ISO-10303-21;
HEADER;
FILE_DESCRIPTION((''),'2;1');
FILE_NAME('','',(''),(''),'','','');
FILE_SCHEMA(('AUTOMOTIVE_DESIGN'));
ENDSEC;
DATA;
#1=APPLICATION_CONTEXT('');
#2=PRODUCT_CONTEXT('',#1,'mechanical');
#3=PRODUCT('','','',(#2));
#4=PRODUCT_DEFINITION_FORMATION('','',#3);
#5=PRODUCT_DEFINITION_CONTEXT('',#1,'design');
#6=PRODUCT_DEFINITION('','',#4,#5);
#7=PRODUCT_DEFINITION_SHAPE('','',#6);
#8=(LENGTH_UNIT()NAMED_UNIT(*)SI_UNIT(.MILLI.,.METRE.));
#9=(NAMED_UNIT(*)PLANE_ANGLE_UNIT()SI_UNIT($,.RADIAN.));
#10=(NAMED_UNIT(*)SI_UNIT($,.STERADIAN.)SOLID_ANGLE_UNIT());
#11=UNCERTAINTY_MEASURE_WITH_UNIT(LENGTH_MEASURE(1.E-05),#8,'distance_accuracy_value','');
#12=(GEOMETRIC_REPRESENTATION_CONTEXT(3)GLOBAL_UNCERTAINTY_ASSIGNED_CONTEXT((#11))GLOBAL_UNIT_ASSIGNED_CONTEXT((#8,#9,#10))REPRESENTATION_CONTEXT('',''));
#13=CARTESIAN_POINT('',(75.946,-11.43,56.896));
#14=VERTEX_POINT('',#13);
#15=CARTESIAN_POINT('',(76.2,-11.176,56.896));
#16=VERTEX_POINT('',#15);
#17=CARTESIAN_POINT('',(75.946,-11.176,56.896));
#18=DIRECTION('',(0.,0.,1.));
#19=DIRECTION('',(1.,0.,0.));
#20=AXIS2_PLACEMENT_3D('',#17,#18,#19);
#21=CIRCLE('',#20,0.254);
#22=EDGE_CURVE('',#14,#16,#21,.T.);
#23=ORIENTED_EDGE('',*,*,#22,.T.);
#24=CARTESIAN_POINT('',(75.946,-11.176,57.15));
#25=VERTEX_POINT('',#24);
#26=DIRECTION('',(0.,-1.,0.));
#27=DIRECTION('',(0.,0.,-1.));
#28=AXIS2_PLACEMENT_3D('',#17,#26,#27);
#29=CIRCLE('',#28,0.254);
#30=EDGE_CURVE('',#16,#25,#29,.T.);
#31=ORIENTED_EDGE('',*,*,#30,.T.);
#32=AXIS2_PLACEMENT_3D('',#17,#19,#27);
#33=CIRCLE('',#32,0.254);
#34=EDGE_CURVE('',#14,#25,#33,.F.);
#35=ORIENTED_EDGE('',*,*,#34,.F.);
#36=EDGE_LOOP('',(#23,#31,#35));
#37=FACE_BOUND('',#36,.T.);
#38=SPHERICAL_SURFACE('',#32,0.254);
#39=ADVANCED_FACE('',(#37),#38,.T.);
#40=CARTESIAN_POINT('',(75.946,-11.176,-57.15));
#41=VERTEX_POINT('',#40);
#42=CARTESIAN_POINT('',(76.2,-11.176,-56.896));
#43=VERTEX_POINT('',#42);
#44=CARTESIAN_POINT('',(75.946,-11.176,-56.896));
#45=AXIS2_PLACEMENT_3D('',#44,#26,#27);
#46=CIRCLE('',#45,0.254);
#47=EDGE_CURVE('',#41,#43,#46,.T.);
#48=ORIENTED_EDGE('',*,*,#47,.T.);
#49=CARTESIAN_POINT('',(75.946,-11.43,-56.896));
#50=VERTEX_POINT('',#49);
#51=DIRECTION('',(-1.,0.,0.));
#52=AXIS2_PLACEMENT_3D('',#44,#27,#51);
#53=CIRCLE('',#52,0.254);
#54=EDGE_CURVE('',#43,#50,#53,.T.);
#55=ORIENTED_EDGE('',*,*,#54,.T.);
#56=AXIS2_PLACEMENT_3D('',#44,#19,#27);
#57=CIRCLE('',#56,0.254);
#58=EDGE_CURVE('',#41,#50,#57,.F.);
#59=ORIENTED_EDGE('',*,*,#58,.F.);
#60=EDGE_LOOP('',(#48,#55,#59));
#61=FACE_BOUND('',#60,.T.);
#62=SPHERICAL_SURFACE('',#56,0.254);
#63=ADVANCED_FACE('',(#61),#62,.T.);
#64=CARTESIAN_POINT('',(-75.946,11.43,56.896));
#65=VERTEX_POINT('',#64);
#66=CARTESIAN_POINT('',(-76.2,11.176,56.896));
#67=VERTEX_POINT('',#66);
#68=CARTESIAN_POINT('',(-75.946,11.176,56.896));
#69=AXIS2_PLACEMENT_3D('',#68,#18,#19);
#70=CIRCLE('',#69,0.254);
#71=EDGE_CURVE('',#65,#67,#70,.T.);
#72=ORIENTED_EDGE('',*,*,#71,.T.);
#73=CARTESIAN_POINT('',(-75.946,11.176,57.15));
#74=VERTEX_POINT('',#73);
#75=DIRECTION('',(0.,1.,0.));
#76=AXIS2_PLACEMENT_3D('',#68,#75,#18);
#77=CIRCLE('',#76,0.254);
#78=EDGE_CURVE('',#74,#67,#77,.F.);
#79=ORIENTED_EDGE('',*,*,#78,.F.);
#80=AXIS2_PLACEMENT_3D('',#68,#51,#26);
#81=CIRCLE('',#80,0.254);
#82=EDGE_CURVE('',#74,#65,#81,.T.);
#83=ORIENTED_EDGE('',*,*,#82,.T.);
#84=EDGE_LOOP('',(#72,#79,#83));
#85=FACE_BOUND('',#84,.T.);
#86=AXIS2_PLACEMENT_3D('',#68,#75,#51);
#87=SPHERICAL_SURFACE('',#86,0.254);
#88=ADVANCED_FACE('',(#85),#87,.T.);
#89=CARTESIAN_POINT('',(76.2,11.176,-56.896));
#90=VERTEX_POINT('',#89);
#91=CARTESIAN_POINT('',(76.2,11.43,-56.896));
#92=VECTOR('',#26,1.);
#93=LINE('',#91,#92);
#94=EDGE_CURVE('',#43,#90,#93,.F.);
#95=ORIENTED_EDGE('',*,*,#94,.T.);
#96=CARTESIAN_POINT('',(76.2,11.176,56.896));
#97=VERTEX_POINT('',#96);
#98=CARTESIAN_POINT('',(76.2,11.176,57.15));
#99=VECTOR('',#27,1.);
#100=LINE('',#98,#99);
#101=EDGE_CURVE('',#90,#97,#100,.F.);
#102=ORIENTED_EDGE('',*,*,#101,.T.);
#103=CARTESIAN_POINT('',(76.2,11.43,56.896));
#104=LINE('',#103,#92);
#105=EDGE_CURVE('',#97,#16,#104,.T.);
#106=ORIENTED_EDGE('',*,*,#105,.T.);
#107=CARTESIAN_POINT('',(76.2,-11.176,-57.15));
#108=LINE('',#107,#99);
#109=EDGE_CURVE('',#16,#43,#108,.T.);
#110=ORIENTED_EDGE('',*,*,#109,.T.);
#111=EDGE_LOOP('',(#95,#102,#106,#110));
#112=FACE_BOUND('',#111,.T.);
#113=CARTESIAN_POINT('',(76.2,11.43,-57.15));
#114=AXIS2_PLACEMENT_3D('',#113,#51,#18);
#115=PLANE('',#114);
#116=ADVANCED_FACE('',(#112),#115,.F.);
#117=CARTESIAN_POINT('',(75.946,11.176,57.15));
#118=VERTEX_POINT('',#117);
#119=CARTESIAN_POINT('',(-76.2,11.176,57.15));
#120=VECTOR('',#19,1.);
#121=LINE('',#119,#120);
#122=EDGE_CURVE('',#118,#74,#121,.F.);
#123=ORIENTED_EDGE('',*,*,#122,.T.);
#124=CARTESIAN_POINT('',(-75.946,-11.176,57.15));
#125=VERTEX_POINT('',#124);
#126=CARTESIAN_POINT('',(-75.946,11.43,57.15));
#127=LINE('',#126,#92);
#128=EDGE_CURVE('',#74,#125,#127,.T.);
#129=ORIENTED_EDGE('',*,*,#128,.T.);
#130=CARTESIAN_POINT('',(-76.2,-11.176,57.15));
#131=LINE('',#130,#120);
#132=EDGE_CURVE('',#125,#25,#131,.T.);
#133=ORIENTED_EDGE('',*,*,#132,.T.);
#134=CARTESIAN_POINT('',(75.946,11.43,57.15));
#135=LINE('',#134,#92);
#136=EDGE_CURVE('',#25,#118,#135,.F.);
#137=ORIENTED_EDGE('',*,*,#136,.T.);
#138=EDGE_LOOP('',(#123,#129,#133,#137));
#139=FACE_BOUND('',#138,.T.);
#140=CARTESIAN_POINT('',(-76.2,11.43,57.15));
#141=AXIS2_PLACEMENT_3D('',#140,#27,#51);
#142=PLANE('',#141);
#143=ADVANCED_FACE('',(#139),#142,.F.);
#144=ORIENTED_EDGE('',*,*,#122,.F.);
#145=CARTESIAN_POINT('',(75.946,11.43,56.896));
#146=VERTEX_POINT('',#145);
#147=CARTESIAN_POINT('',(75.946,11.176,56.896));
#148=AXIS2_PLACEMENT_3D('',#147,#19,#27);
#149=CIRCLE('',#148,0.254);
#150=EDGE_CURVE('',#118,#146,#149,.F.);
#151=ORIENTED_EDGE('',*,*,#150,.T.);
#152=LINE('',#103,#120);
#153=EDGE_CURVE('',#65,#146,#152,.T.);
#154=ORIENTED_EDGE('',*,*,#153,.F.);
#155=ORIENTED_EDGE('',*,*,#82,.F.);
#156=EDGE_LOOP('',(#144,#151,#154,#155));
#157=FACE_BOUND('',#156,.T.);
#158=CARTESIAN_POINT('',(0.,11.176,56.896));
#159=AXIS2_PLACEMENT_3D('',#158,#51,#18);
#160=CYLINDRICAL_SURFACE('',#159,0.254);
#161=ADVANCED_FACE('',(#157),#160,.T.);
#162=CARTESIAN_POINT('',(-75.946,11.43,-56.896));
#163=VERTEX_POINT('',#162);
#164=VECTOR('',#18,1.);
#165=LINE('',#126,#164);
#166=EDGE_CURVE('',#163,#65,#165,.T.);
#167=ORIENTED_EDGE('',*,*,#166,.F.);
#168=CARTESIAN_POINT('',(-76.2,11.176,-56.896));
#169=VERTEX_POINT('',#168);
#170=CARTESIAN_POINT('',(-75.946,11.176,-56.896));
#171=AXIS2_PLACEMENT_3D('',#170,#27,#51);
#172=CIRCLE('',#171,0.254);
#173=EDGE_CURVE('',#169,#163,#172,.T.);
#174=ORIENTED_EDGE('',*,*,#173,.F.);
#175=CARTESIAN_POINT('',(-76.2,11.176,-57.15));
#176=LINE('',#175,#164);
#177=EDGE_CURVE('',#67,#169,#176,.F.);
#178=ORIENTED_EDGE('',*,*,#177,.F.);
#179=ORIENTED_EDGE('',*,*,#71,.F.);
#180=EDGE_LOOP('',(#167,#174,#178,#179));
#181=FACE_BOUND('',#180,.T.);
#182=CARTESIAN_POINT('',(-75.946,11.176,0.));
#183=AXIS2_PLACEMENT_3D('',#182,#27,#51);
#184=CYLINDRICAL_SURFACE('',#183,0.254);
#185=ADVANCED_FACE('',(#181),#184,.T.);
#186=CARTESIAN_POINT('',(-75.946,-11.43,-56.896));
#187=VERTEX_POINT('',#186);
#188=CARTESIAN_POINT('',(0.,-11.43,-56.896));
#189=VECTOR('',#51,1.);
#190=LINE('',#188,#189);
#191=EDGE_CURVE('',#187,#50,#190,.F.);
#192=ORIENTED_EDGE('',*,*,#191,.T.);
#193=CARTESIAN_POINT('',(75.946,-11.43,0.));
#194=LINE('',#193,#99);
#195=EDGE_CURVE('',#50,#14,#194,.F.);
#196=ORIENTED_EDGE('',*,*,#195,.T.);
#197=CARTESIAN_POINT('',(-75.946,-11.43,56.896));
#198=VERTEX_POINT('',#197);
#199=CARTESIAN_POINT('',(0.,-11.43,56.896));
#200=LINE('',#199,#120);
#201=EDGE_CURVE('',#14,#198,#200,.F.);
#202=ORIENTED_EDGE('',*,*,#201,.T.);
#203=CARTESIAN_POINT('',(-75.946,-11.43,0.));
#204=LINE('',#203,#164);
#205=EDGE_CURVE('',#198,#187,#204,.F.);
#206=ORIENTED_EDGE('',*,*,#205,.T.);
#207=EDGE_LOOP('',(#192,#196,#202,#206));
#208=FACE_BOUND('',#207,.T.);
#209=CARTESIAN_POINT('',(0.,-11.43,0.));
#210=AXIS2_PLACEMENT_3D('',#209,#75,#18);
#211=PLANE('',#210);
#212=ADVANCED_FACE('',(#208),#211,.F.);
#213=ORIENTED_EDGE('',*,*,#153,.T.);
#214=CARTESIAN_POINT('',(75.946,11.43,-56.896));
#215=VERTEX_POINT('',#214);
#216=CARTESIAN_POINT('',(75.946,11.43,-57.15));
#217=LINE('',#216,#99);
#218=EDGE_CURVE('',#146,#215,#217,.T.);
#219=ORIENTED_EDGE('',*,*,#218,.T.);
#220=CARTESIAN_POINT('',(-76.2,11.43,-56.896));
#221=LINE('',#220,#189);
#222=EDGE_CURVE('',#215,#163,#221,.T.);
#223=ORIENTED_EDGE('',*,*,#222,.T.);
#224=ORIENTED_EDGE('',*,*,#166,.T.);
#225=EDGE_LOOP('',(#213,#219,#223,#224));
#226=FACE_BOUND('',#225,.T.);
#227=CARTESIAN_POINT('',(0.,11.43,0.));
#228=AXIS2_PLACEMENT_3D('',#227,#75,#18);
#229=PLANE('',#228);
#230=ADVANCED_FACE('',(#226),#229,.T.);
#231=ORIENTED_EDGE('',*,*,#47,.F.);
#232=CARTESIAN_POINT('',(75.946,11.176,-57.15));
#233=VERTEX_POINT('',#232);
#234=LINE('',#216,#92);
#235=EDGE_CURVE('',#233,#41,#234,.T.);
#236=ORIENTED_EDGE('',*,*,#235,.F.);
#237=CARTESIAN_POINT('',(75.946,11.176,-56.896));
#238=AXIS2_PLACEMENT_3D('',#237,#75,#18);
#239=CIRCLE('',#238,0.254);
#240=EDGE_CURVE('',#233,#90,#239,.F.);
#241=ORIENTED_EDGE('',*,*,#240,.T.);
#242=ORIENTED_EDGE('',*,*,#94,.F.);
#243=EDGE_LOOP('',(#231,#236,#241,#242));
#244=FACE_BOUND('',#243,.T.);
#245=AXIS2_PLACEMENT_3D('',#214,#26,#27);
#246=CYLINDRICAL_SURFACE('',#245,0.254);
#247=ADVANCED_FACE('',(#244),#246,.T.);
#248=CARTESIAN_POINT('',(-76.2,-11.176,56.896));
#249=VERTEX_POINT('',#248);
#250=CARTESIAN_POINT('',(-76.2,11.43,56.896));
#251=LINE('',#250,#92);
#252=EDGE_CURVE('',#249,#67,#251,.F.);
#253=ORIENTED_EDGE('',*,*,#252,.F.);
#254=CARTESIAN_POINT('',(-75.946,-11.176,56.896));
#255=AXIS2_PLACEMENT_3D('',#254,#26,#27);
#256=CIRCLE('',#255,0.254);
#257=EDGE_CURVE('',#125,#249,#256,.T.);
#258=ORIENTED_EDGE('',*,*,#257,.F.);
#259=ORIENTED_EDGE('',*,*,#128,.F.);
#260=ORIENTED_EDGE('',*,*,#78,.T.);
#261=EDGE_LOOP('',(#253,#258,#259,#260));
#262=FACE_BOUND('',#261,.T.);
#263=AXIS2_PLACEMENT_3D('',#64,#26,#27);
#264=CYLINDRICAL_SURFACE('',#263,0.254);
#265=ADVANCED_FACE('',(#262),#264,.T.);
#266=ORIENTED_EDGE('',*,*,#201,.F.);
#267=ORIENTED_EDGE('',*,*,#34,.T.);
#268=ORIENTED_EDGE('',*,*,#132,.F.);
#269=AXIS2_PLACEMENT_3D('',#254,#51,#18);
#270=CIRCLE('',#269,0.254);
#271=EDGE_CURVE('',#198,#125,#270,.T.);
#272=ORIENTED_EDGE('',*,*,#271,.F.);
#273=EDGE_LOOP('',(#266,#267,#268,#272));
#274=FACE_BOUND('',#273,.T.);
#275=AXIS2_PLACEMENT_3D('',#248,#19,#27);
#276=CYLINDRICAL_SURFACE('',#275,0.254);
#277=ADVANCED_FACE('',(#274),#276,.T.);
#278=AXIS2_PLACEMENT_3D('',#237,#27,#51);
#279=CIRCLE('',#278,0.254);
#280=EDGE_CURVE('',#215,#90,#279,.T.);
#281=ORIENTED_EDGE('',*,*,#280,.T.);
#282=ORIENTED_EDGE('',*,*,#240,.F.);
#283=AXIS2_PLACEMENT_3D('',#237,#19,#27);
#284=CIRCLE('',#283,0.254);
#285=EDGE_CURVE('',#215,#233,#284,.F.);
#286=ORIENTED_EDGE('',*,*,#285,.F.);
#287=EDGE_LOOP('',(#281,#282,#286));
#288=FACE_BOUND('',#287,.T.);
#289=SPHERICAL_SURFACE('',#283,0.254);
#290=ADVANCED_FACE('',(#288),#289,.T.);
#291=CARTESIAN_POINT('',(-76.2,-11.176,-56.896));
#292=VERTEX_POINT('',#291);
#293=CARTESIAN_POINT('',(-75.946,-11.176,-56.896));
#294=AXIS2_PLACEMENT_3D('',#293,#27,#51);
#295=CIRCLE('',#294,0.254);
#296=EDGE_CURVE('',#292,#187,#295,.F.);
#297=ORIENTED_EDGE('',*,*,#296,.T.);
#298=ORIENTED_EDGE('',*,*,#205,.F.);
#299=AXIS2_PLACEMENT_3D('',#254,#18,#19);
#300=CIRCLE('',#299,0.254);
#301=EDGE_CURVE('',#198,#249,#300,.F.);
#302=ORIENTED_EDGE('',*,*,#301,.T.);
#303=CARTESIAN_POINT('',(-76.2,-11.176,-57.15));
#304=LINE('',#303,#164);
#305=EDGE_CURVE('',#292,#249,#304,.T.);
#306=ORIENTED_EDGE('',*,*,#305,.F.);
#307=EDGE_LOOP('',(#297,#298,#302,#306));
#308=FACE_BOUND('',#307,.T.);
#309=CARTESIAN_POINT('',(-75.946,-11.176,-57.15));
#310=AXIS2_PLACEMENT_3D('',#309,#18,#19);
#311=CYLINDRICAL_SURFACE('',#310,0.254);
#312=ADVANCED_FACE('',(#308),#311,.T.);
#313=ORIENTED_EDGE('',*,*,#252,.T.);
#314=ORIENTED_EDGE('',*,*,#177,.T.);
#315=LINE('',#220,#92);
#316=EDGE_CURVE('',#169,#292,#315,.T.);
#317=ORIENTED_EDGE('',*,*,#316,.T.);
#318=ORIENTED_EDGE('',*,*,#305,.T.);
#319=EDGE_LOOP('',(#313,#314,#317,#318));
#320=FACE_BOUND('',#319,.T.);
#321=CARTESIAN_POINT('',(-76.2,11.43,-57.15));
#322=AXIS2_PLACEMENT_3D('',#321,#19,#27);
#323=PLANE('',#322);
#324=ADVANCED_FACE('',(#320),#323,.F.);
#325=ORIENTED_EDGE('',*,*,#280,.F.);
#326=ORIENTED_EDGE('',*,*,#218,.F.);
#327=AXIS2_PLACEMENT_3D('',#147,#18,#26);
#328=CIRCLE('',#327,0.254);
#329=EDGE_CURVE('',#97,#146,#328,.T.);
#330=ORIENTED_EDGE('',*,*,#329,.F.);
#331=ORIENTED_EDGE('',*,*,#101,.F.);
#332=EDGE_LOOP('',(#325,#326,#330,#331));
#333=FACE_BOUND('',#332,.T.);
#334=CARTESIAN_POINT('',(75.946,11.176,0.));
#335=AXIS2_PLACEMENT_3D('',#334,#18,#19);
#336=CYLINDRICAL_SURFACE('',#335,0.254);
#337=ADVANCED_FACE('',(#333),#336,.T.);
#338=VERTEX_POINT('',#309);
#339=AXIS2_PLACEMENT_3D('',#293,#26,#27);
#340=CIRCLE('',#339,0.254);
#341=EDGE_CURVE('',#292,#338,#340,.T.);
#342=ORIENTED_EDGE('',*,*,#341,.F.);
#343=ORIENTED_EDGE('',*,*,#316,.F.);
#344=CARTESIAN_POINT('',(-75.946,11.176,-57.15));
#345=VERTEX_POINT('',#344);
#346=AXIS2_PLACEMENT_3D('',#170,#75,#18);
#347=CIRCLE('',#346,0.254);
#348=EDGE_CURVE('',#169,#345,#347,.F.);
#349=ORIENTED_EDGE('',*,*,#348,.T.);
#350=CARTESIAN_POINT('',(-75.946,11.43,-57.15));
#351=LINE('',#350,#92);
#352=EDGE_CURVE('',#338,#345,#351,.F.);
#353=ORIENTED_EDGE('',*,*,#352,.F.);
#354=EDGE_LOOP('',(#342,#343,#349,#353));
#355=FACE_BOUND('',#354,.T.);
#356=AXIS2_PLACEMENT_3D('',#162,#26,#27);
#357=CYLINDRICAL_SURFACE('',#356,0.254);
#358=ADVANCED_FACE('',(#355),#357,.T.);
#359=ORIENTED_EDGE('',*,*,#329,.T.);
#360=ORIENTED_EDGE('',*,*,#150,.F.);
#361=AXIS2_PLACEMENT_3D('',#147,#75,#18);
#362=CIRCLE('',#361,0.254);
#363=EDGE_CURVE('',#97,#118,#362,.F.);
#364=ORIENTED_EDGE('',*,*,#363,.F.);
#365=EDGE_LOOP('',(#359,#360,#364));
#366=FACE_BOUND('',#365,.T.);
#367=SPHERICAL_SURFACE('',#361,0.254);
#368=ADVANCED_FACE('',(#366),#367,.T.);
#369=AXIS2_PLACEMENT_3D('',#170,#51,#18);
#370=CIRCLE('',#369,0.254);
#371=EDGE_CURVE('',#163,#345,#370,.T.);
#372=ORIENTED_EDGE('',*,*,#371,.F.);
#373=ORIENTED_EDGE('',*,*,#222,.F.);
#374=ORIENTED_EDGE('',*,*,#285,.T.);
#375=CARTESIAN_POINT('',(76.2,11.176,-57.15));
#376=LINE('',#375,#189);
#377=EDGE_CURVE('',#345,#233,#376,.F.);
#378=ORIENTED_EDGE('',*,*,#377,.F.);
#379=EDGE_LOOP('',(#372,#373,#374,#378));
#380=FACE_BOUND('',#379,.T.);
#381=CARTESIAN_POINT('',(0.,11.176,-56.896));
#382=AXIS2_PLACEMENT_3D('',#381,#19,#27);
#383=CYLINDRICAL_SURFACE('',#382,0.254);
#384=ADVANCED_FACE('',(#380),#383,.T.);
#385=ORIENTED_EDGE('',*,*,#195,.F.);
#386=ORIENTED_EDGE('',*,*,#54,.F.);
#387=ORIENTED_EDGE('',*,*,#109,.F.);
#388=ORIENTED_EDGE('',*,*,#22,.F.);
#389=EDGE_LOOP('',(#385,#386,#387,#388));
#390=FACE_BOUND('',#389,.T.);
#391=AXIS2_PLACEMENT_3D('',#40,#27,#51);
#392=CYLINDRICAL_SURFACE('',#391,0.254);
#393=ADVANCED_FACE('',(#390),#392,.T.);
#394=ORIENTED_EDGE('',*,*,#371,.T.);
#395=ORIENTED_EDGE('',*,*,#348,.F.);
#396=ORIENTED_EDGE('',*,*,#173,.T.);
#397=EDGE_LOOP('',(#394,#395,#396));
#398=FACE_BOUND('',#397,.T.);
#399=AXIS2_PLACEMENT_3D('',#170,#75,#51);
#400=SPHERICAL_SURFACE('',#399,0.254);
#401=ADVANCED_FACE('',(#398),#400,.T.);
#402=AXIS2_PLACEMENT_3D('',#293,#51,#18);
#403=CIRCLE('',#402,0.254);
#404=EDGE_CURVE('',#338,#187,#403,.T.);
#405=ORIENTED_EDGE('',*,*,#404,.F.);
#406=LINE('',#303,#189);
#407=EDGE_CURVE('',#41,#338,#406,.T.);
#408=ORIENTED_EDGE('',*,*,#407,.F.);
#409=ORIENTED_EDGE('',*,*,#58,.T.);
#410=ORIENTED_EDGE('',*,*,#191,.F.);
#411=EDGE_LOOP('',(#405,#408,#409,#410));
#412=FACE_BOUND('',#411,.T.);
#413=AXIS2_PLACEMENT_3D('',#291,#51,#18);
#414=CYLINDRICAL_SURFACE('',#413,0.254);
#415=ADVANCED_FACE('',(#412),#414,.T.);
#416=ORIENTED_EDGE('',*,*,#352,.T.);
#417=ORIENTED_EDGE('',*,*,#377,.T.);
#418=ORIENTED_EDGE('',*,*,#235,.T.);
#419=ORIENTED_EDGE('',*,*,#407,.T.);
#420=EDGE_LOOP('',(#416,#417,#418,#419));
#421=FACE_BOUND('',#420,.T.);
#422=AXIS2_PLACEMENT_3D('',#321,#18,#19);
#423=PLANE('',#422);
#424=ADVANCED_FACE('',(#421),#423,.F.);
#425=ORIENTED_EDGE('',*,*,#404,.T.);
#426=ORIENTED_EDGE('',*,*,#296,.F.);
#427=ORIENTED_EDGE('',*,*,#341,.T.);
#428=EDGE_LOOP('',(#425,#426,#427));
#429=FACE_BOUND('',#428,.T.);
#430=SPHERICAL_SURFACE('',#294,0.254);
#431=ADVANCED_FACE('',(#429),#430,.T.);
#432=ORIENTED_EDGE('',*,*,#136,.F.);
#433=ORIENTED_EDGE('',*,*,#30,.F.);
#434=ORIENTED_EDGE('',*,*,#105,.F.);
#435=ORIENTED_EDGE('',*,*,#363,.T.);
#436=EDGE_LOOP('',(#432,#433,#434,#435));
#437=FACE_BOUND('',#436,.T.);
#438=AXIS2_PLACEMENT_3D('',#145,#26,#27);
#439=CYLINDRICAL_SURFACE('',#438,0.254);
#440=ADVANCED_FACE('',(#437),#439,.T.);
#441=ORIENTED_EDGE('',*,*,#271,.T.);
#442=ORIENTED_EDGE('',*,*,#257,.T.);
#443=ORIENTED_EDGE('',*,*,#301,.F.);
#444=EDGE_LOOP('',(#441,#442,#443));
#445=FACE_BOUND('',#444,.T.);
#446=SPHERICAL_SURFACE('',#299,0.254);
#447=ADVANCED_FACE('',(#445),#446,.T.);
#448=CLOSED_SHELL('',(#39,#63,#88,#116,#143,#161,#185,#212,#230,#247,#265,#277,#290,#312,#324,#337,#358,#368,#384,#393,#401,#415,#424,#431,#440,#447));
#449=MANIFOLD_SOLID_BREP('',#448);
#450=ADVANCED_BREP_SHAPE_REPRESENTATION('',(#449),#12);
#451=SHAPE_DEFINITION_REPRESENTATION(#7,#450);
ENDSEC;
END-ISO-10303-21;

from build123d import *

# Parameters (mm, degrees)
SKETCH1_W           = 152.4
SKETCH1_H           = 114.3
BOSS_EXTRUDE1_DEPTH = 11.43
FILLET1_R           = 0.254


with BuildPart() as part:
    # Sketch1 → Boss-Extrude1 (new body, symmetric)
    with BuildSketch(Plane(origin=(0, 0, 0), x_dir=(1, 0, 0), z_dir=(0, 1, 0))):
        Rectangle(SKETCH1_W, SKETCH1_H)
    extrude(amount=BOSS_EXTRUDE1_DEPTH, both=True)

    # Fillet1
    fillet1_edges = [part.edges().sort_by_distance(p)[0] for p in [
        (-76.2, 11.43, 0),
        (0, 11.43, 57.15),
        (76.2, 11.43, 0),
        (0, -11.43, 57.15),
        (-76.2, -11.43, 0),
        (0, -11.43, -57.15),
        (76.2, -11.43, 0),
        (76.2, 0, 57.15),
        (-76.2, 0, 57.15),
        (-76.2, 0, -57.15),
        (76.2, 0, -57.15),
        (0, 11.43, -57.15),
    ]]
    fillet(fillet1_edges, radius=FILLET1_R)


solid = part.part
